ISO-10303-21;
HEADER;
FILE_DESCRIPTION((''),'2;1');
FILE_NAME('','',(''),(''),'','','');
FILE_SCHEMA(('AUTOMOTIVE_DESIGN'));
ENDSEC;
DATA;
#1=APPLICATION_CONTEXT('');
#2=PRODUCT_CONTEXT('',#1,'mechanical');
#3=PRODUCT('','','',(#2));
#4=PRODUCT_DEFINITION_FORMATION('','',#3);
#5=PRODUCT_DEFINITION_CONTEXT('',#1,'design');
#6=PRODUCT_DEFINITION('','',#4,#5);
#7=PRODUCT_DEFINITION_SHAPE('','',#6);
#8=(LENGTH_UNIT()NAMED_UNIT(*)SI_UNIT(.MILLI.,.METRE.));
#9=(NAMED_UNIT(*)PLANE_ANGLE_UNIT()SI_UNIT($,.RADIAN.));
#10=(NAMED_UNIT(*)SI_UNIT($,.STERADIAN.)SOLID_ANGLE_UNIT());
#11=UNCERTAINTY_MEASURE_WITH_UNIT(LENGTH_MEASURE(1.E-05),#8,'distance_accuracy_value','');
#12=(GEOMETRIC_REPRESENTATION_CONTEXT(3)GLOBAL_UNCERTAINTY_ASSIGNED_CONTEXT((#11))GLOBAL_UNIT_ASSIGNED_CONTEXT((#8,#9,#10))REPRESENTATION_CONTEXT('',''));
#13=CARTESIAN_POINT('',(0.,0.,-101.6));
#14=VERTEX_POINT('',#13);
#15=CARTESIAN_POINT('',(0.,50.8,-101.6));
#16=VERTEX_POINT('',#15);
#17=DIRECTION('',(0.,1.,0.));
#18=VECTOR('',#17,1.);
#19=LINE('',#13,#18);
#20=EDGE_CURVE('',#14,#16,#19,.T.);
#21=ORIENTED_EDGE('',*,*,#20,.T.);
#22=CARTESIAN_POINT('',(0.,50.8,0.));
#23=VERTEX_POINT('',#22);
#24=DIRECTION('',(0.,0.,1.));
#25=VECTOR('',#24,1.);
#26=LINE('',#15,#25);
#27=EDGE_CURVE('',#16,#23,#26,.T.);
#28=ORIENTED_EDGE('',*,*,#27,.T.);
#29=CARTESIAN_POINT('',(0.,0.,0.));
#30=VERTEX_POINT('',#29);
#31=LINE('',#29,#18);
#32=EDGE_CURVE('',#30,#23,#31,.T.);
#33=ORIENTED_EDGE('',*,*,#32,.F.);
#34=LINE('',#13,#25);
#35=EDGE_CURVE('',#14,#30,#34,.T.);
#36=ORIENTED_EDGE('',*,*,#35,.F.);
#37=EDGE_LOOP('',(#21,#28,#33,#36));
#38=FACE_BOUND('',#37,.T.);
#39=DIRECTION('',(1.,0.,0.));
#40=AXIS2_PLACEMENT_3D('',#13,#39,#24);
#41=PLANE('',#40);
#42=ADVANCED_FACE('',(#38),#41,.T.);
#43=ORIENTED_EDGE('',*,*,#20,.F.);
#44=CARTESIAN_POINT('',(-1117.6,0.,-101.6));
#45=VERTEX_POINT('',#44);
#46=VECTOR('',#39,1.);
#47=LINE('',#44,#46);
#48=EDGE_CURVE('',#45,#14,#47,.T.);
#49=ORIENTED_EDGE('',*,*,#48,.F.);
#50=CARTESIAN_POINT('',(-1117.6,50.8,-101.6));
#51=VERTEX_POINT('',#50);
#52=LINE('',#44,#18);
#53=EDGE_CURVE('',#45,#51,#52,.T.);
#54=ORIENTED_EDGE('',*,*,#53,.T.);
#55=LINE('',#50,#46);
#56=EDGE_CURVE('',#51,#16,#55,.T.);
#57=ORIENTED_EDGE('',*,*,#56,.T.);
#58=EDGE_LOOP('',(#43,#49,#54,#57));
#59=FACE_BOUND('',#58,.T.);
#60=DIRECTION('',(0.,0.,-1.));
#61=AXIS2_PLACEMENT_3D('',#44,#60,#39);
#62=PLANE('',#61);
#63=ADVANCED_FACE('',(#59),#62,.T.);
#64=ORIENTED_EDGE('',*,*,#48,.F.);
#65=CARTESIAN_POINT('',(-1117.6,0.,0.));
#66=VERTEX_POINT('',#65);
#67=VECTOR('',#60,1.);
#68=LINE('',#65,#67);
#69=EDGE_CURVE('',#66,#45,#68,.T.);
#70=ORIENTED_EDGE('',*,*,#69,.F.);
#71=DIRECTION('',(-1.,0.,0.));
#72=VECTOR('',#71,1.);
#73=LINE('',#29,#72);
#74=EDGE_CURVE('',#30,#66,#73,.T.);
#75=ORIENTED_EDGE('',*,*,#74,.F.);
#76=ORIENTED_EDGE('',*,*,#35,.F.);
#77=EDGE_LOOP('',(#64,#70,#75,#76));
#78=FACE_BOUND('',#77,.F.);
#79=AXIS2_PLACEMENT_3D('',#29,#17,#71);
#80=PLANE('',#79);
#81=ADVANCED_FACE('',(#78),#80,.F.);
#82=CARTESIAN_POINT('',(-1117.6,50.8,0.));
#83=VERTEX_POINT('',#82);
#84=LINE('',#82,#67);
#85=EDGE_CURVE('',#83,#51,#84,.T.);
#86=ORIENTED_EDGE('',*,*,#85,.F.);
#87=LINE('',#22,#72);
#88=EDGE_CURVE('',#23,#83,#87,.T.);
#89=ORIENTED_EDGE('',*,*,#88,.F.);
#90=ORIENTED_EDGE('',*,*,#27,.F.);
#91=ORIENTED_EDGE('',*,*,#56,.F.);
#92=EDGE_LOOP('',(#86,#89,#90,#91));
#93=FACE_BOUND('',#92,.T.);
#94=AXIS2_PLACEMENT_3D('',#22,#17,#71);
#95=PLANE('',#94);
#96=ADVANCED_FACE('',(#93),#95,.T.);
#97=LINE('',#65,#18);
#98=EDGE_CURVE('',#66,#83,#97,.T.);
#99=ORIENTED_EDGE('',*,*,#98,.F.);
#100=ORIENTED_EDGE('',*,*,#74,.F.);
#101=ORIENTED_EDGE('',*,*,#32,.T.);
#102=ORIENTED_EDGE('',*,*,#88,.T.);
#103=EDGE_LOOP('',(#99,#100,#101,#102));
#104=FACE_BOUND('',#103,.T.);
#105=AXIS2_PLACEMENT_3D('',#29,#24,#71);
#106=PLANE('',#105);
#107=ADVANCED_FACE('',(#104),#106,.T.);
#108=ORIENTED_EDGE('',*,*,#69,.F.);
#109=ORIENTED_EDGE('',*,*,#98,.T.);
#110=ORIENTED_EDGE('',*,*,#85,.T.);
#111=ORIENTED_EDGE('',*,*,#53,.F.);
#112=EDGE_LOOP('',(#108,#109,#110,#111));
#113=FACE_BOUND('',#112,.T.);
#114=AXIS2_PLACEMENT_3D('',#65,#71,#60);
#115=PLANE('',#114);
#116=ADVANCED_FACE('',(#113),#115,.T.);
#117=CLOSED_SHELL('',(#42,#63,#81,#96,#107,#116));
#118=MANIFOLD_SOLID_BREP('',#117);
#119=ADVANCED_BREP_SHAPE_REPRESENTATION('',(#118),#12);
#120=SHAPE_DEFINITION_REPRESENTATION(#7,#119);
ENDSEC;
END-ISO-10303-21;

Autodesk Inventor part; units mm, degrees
ref_plane "YZ Plane" through (0, 0, 0) normal (1, 0, 0) x (0, 1, 0)
ref_plane "XZ Plane" through (0, 0, 0) normal (0, 1, 0) x (-1, 0, 0)
ref_plane "XY Plane" through (0, 0, 0) normal (0, 0, 1) x (1, 0, 0)
sketch "Sketch1" plane through (0, 0, 0) normal (0, 1, 0) x (-1, 0, 0)
  line L0 (0, 0) -> (1117.6, 0)
  line L1 (1117.6, 0) -> (1117.6, -101.6)
  line L2 (1117.6, -101.6) -> (0, -101.6)
  line L3 (0, -101.6) -> (0, 0)
  dimension "d0" = 1117.6
  dimension "d1" = 101.6
extrude "Extrusion1" add sketch "Sketch1" along normal blind 50.8
properties part number "2x4x44"
